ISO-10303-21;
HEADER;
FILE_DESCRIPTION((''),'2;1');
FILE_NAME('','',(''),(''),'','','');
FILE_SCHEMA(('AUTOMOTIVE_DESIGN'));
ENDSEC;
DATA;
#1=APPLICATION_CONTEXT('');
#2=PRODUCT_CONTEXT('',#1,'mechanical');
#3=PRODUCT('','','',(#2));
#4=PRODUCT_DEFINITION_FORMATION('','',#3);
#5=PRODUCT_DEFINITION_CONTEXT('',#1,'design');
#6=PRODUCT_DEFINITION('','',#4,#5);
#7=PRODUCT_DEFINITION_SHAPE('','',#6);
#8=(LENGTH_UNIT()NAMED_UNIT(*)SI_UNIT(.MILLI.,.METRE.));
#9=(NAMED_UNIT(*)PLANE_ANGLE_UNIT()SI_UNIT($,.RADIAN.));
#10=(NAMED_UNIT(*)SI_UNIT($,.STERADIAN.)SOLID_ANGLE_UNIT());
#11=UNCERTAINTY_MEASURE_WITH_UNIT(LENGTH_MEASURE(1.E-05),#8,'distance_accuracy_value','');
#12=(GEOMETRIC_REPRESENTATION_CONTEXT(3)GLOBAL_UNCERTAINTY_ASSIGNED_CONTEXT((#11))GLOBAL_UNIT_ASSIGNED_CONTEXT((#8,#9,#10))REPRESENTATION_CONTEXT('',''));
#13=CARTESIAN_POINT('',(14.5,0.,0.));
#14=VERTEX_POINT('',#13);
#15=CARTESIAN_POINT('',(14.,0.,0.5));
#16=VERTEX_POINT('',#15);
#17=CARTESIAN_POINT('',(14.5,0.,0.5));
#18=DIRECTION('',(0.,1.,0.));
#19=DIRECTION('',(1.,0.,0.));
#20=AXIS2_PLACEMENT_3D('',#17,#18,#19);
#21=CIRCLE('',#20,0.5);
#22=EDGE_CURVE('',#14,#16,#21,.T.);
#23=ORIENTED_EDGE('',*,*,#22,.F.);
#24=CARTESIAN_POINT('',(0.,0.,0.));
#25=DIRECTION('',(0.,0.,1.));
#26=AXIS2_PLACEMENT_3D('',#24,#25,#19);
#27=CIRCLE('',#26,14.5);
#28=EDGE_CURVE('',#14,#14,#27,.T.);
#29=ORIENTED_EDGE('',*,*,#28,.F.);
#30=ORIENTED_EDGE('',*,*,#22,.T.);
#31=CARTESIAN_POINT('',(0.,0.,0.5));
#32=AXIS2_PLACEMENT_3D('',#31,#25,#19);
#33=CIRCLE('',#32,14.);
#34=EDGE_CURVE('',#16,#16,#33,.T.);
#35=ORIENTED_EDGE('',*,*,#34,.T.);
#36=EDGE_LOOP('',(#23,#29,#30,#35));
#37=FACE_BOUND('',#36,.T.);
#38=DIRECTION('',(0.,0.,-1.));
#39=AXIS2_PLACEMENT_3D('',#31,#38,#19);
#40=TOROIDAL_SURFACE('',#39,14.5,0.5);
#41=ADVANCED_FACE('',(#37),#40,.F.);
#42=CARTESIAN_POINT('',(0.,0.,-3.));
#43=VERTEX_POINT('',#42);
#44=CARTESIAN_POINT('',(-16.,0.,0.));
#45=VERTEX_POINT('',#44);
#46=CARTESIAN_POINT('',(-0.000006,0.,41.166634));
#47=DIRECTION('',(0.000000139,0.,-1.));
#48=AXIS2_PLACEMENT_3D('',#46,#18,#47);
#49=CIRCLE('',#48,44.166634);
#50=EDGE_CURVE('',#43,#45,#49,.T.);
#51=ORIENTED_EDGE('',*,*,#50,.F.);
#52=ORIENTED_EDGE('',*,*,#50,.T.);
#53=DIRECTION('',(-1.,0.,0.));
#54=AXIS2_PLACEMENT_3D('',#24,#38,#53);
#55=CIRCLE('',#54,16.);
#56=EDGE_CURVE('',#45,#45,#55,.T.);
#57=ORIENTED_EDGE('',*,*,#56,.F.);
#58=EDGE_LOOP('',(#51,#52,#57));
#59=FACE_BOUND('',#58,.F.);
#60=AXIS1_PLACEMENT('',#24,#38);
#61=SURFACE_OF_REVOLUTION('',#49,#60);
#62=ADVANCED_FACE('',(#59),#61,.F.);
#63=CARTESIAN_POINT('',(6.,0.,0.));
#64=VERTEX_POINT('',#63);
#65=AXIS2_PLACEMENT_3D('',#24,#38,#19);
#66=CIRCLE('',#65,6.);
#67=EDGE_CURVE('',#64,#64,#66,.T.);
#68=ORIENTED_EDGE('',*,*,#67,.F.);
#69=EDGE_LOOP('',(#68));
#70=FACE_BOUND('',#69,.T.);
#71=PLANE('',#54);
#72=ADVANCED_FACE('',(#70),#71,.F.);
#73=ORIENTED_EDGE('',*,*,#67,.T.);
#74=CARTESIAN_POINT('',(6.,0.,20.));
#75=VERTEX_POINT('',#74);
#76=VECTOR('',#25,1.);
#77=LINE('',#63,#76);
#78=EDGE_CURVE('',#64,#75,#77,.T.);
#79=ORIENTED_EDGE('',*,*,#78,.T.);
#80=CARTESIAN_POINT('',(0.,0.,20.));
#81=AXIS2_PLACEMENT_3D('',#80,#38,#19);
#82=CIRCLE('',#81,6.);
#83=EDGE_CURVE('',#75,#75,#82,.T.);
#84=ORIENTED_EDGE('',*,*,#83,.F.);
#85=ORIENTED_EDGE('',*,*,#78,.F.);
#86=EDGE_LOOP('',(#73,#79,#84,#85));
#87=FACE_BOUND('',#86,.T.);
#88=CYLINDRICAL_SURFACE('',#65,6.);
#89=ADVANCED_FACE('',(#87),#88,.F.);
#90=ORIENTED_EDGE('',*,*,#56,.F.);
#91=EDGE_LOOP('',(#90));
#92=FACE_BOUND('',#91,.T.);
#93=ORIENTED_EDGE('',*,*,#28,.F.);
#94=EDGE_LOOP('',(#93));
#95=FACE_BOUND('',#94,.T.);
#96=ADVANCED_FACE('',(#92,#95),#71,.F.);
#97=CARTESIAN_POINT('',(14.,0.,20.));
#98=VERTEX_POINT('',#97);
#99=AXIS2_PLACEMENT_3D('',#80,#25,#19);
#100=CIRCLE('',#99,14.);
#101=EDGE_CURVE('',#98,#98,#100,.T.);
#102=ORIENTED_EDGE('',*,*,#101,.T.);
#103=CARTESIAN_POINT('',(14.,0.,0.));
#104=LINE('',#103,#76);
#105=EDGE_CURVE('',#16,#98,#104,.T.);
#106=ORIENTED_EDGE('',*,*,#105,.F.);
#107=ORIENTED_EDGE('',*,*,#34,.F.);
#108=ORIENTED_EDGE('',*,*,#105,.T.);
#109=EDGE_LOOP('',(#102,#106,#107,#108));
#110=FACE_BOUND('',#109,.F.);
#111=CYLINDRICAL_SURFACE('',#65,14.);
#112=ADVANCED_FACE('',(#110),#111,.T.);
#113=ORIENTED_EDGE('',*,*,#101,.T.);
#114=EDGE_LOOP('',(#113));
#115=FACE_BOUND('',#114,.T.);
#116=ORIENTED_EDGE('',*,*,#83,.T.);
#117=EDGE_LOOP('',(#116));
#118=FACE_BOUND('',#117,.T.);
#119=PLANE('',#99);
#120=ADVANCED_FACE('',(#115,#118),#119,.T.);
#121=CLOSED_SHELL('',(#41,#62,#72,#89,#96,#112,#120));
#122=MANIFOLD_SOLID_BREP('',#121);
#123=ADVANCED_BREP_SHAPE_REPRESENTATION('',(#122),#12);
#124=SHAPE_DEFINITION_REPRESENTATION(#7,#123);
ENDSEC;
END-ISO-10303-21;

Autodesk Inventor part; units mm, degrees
ref_plane "YZ Plane" through (0, 0, 0) normal (1, 0, 0) x (0, 1, 0)
ref_plane "XZ Plane" through (0, 0, 0) normal (0, 1, 0) x (-1, 0, 0)
ref_plane "XY Plane" through (0, 0, 0) normal (0, 0, 1) x (1, 0, 0)
sketch "Szkic1" plane through (0, 0, 0) normal (0, 0, 1) x (1, 0, 0)
  circle A0 centre (0, 0) radius 14
  dimension "d0" = 28
extrude "Wyciągnięcie proste1" add sketch "Szkic1" along normal blind 20
shell "Skorupa1" thickness 8 removed faces 2 at (0.5625, 1.5565, 0) at (0.5625, 1.5565, 20)
sketch "Szkic2" plane through (0, 0, 0) normal (0, 1, 0) x (-1, 0, 0)
  line L0 (-14, 0) -> (14, 0) construction
  line L1 (0, 0) -> (16, 0)
  line L2 (0, 0) -> (0, -3)
  arc A0 (0, -3) -> (16, 0) centre (0, 41.1667) ccw
  dimension "d4" = 16
  dimension "d5" = 3
revolve "Obrót1" add sketch "Szkic2" angle 360 about axis through (0, 0, 0) along (0, 0, -1)
fillet "Zaokrąglenie1" radius 0.5 1 edges at (-14, 0, 0)
thread "Gwint1" size "M12x1.75" class "6H" standard "ANSI Metric M Profile" full length
properties part number "Zaślepka_do_widelca" material "Polietylen o dużej gęstości"
